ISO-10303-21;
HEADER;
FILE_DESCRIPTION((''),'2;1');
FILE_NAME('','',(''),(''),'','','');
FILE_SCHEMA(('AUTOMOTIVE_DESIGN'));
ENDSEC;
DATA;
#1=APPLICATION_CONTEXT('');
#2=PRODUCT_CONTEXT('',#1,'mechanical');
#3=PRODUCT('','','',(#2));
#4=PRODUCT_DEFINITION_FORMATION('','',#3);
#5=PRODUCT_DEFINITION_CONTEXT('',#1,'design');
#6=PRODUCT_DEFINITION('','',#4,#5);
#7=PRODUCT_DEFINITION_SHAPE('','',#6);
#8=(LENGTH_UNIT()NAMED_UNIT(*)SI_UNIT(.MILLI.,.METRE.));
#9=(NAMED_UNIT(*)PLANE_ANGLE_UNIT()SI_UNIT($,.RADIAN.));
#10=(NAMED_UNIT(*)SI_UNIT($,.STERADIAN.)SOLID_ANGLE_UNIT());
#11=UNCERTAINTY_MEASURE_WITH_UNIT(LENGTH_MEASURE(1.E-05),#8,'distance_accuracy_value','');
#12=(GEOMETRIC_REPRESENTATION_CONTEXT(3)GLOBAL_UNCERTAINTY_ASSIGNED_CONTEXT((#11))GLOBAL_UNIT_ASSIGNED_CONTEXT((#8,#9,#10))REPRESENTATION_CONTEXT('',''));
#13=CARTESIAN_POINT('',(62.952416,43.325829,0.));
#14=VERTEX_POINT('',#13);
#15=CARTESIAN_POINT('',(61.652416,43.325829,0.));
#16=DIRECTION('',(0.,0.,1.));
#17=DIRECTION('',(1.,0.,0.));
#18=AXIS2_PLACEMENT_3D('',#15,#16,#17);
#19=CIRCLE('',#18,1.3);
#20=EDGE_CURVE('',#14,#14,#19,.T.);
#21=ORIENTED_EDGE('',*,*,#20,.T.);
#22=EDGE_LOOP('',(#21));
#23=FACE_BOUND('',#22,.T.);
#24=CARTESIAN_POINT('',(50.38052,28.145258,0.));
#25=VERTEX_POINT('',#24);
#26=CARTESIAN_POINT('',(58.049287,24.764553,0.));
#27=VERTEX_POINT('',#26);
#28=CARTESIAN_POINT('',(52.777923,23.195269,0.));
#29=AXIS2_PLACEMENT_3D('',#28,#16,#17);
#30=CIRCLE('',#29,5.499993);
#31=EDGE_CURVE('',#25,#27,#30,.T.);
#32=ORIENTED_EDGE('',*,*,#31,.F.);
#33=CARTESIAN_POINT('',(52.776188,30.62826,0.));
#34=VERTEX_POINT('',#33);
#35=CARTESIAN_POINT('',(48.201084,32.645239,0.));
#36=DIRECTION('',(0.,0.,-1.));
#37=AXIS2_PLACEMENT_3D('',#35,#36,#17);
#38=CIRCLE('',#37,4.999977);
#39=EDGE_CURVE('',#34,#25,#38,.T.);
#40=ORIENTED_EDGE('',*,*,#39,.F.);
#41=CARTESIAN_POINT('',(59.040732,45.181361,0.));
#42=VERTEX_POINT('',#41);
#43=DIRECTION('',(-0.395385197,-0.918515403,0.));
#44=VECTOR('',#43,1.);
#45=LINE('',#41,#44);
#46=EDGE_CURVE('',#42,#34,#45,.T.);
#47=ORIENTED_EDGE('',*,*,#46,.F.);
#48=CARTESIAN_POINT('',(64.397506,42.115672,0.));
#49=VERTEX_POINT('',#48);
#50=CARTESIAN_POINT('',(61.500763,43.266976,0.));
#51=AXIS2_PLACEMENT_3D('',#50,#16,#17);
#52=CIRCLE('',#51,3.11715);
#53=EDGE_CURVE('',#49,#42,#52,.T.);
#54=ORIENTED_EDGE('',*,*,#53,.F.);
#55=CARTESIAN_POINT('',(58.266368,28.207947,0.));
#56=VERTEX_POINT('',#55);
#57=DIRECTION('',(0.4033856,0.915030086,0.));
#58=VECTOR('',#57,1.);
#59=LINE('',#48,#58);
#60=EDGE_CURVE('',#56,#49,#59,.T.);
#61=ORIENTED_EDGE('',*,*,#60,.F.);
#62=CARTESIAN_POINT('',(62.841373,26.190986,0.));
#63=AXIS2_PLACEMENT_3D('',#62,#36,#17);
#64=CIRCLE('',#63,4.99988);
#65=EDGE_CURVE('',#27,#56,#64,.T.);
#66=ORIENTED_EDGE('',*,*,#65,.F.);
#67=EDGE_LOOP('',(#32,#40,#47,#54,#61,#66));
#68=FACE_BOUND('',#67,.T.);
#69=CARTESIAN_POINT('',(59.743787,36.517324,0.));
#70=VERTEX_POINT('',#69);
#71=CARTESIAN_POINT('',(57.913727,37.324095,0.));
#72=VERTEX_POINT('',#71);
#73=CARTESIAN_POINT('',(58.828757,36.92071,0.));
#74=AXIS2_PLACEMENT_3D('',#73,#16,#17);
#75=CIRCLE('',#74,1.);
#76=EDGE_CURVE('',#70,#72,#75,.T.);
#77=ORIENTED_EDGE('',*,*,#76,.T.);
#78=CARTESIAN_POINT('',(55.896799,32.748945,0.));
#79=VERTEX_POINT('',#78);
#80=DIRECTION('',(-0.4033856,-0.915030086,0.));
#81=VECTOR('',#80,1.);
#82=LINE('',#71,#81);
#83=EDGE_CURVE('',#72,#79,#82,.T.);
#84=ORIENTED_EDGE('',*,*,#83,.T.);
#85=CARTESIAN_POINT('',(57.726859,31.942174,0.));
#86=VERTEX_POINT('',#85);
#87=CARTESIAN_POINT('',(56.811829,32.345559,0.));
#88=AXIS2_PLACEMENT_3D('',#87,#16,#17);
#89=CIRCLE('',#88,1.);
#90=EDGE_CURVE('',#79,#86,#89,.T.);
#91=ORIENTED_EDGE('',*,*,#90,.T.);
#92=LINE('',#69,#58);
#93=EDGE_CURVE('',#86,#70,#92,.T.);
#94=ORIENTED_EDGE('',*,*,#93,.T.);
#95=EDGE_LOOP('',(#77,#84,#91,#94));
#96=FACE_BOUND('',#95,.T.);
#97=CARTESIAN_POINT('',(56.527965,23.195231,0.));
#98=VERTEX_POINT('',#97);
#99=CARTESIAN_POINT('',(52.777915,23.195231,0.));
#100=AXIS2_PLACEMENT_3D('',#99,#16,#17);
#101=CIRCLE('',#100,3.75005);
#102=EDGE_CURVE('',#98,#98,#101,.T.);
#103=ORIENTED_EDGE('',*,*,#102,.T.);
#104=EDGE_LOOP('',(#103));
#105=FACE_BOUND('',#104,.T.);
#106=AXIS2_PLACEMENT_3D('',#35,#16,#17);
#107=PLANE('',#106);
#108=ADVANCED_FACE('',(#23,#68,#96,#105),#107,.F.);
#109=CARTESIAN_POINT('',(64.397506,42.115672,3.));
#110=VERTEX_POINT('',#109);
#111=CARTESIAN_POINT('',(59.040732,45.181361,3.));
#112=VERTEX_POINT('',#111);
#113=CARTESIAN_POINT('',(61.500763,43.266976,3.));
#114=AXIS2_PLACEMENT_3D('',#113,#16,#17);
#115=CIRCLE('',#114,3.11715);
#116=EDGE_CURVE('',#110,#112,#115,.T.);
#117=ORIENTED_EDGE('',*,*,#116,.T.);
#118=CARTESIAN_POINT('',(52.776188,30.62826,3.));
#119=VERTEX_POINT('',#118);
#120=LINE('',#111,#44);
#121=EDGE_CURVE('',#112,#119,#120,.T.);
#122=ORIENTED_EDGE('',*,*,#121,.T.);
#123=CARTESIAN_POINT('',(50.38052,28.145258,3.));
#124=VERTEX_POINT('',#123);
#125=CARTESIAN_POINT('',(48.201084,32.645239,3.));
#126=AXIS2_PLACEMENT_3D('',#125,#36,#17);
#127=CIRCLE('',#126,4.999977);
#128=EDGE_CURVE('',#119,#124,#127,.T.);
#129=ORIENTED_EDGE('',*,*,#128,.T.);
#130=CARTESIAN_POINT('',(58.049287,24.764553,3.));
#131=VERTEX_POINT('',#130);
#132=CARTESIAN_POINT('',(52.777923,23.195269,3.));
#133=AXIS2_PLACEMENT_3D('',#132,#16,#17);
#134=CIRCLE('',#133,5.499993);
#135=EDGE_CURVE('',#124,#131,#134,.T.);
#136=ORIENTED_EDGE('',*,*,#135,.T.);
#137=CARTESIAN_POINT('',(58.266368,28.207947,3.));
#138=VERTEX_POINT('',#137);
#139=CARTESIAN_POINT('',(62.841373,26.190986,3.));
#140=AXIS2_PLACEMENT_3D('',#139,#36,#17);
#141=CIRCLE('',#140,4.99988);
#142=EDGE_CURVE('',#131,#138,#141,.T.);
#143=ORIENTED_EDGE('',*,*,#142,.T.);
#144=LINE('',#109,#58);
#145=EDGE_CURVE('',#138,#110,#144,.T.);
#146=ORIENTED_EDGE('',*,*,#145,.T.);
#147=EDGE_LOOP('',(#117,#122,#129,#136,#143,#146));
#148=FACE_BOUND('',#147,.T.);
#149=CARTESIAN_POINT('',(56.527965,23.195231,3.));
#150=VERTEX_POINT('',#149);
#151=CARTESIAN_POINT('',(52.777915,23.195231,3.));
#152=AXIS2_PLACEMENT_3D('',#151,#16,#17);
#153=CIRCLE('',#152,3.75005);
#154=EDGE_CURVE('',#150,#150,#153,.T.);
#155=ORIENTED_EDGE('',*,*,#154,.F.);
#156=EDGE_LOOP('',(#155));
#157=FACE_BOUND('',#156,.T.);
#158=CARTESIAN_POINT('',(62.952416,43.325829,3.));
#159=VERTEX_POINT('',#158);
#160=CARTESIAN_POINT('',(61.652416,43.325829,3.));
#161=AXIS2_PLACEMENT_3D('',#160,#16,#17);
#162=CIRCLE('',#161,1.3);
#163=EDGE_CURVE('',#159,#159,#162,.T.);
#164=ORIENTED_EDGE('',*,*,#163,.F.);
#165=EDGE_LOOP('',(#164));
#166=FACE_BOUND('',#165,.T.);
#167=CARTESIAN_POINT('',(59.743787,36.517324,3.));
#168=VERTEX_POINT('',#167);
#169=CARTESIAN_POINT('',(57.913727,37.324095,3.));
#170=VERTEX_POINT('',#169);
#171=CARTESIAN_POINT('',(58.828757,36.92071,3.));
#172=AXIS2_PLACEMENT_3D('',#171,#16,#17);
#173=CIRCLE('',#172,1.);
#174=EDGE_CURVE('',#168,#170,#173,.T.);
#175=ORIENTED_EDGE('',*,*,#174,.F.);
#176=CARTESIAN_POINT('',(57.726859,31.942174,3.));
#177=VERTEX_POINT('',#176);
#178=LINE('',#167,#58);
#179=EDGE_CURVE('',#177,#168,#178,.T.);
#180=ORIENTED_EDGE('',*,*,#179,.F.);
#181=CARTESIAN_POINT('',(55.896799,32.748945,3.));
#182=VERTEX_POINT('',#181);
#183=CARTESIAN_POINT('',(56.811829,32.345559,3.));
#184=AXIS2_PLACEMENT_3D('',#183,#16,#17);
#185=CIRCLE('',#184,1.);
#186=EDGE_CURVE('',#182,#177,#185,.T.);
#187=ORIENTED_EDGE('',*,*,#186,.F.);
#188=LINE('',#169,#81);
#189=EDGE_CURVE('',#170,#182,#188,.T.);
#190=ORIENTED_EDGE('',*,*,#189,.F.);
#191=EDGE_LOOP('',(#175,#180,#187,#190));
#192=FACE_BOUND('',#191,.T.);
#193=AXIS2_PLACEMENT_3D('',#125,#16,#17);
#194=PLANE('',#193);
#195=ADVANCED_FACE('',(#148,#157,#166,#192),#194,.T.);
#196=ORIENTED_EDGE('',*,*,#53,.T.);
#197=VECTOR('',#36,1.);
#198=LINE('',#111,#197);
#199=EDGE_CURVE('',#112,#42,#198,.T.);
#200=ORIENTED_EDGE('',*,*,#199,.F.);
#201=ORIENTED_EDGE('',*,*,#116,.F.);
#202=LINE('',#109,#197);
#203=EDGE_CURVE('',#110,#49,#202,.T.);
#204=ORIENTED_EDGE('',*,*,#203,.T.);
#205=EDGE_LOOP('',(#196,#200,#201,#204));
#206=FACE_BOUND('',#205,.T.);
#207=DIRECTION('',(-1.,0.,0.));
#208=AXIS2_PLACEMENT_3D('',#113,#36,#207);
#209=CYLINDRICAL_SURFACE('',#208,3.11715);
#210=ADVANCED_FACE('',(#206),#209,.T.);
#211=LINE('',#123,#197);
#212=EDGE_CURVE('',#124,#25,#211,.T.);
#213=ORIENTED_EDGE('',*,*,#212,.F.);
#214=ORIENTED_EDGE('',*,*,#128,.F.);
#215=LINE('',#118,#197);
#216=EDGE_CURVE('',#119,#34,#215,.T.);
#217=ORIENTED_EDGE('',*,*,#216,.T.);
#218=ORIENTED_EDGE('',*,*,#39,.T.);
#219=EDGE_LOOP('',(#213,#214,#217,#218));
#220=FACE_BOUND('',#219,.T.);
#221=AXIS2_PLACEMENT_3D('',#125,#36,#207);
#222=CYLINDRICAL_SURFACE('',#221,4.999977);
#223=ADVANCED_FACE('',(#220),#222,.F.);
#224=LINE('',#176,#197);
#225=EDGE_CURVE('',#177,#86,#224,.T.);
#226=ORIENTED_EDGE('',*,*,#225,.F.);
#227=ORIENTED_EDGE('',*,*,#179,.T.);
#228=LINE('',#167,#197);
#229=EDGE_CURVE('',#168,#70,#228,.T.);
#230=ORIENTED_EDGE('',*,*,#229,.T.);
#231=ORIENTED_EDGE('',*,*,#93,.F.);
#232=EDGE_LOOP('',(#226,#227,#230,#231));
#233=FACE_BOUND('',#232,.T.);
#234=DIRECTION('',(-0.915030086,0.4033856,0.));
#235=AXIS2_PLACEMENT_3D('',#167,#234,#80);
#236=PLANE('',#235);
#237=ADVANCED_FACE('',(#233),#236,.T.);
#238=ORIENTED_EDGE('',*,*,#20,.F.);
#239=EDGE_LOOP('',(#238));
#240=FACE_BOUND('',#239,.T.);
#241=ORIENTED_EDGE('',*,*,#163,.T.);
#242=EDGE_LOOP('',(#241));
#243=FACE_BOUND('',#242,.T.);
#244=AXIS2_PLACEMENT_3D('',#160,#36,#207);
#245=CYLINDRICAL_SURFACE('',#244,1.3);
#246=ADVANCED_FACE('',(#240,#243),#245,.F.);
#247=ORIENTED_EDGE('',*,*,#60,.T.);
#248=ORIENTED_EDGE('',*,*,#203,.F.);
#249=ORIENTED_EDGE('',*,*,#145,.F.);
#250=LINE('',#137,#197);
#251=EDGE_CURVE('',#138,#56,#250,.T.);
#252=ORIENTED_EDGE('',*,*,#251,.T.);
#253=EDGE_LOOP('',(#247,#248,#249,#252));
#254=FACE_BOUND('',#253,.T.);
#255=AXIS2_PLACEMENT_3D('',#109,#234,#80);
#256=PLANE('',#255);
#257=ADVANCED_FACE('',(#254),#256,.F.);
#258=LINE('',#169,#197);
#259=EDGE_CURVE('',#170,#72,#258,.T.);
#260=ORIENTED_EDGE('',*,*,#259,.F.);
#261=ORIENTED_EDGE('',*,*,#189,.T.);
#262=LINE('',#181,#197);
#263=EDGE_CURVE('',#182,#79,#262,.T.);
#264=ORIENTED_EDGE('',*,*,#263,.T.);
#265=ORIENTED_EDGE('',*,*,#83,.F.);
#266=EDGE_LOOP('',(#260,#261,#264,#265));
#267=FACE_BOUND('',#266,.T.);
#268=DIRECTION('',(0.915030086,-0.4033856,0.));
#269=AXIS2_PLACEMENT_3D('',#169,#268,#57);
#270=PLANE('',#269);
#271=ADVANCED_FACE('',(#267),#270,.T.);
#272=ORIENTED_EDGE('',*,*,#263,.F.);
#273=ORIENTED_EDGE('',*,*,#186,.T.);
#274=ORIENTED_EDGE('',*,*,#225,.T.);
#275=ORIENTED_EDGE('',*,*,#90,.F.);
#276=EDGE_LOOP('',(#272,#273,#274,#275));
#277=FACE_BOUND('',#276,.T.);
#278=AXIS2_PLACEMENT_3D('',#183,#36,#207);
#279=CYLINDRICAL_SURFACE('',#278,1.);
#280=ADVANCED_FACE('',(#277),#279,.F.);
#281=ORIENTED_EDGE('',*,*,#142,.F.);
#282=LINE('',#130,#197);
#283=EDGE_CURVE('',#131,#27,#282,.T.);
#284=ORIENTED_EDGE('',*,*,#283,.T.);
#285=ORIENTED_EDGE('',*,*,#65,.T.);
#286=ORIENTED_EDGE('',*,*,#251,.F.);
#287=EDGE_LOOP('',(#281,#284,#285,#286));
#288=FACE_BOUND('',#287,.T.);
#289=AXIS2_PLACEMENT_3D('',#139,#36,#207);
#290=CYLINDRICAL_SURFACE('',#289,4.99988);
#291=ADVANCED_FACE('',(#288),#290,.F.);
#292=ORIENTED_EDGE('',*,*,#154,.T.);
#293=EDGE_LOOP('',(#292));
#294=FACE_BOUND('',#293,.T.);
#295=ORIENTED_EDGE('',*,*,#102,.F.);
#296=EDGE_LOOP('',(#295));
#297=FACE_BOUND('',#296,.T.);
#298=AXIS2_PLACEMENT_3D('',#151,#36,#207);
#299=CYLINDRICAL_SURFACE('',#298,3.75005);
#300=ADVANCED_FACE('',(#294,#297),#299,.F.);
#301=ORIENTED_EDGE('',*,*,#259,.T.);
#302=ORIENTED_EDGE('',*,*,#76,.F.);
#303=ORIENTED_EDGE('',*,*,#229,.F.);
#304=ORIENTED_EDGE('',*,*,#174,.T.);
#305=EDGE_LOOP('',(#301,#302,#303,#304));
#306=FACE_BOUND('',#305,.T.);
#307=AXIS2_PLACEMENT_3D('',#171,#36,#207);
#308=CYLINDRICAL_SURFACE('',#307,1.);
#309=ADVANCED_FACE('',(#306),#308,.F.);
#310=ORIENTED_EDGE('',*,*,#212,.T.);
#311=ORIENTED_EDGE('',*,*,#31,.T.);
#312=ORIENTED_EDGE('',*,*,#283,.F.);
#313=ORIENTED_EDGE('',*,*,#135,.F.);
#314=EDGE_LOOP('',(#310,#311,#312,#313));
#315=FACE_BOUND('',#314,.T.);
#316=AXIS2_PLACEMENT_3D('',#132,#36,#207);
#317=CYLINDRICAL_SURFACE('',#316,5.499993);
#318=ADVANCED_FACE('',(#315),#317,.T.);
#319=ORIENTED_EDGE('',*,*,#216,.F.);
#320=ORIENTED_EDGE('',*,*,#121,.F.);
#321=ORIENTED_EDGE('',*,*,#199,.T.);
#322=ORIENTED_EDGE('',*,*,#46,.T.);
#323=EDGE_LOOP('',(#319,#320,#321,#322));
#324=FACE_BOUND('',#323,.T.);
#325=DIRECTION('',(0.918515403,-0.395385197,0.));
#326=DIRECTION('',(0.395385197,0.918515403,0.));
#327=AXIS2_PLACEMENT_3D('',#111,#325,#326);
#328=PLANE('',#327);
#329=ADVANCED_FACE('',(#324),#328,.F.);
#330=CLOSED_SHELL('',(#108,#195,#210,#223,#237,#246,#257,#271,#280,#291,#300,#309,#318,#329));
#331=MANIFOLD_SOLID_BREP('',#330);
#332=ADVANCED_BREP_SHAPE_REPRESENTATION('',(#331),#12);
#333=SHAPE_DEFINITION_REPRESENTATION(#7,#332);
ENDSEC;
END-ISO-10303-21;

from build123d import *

# Parameters (mm, degrees)
MODEL_R             = 3.75005
MODEL_R_2           = 1.300000002
BOSS_EXTRUDE1_DEPTH = 3


with BuildPart() as part:
    # Model → Boss-Extrude1 (new body)
    with BuildSketch(Plane.XY):
        with BuildLine():
            Line((64.397506493, 42.115672183), (58.266368088, 28.207946902))
            ThreePointArc((58.266368088, 28.207946902), (57.851399273, 26.505567789), (58.049287259, 24.764552536))
            ThreePointArc((58.049287259, 24.764552536), (50.559319275, 18.162603648), (50.380520329, 28.145257626))
            ThreePointArc((50.380520329, 28.145257626), (51.799316654, 29.173568367), (52.776187572, 30.6282605))
            Line((52.776187572, 30.6282605), (59.040732097, 45.181361317))
            ThreePointArc((59.040732097, 45.181361317), (63.049082158, 45.972402409), (64.397506493, 42.115672183))
        make_face()
        with Locations((52.777915011, 23.195230557)):
            Circle(MODEL_R, mode=Mode.SUBTRACT)
        with Locations((61.652416233, 43.325828981)):
            Circle(MODEL_R_2, mode=Mode.SUBTRACT)
        with BuildLine():
            Line((59.743787463, 36.517324284), (57.726859465, 31.942173855))
            ThreePointArc((57.726859465, 31.942173855), (56.408443779, 31.430529369), (55.896799293, 32.748945054))
            Line((55.896799293, 32.748945054), (57.913727291, 37.324095484))
            ThreePointArc((57.913727291, 37.324095484), (59.232142977, 37.83573997), (59.743787463, 36.517324284))
        make_face(mode=Mode.SUBTRACT)
    extrude(amount=BOSS_EXTRUDE1_DEPTH)


solid = part.part
